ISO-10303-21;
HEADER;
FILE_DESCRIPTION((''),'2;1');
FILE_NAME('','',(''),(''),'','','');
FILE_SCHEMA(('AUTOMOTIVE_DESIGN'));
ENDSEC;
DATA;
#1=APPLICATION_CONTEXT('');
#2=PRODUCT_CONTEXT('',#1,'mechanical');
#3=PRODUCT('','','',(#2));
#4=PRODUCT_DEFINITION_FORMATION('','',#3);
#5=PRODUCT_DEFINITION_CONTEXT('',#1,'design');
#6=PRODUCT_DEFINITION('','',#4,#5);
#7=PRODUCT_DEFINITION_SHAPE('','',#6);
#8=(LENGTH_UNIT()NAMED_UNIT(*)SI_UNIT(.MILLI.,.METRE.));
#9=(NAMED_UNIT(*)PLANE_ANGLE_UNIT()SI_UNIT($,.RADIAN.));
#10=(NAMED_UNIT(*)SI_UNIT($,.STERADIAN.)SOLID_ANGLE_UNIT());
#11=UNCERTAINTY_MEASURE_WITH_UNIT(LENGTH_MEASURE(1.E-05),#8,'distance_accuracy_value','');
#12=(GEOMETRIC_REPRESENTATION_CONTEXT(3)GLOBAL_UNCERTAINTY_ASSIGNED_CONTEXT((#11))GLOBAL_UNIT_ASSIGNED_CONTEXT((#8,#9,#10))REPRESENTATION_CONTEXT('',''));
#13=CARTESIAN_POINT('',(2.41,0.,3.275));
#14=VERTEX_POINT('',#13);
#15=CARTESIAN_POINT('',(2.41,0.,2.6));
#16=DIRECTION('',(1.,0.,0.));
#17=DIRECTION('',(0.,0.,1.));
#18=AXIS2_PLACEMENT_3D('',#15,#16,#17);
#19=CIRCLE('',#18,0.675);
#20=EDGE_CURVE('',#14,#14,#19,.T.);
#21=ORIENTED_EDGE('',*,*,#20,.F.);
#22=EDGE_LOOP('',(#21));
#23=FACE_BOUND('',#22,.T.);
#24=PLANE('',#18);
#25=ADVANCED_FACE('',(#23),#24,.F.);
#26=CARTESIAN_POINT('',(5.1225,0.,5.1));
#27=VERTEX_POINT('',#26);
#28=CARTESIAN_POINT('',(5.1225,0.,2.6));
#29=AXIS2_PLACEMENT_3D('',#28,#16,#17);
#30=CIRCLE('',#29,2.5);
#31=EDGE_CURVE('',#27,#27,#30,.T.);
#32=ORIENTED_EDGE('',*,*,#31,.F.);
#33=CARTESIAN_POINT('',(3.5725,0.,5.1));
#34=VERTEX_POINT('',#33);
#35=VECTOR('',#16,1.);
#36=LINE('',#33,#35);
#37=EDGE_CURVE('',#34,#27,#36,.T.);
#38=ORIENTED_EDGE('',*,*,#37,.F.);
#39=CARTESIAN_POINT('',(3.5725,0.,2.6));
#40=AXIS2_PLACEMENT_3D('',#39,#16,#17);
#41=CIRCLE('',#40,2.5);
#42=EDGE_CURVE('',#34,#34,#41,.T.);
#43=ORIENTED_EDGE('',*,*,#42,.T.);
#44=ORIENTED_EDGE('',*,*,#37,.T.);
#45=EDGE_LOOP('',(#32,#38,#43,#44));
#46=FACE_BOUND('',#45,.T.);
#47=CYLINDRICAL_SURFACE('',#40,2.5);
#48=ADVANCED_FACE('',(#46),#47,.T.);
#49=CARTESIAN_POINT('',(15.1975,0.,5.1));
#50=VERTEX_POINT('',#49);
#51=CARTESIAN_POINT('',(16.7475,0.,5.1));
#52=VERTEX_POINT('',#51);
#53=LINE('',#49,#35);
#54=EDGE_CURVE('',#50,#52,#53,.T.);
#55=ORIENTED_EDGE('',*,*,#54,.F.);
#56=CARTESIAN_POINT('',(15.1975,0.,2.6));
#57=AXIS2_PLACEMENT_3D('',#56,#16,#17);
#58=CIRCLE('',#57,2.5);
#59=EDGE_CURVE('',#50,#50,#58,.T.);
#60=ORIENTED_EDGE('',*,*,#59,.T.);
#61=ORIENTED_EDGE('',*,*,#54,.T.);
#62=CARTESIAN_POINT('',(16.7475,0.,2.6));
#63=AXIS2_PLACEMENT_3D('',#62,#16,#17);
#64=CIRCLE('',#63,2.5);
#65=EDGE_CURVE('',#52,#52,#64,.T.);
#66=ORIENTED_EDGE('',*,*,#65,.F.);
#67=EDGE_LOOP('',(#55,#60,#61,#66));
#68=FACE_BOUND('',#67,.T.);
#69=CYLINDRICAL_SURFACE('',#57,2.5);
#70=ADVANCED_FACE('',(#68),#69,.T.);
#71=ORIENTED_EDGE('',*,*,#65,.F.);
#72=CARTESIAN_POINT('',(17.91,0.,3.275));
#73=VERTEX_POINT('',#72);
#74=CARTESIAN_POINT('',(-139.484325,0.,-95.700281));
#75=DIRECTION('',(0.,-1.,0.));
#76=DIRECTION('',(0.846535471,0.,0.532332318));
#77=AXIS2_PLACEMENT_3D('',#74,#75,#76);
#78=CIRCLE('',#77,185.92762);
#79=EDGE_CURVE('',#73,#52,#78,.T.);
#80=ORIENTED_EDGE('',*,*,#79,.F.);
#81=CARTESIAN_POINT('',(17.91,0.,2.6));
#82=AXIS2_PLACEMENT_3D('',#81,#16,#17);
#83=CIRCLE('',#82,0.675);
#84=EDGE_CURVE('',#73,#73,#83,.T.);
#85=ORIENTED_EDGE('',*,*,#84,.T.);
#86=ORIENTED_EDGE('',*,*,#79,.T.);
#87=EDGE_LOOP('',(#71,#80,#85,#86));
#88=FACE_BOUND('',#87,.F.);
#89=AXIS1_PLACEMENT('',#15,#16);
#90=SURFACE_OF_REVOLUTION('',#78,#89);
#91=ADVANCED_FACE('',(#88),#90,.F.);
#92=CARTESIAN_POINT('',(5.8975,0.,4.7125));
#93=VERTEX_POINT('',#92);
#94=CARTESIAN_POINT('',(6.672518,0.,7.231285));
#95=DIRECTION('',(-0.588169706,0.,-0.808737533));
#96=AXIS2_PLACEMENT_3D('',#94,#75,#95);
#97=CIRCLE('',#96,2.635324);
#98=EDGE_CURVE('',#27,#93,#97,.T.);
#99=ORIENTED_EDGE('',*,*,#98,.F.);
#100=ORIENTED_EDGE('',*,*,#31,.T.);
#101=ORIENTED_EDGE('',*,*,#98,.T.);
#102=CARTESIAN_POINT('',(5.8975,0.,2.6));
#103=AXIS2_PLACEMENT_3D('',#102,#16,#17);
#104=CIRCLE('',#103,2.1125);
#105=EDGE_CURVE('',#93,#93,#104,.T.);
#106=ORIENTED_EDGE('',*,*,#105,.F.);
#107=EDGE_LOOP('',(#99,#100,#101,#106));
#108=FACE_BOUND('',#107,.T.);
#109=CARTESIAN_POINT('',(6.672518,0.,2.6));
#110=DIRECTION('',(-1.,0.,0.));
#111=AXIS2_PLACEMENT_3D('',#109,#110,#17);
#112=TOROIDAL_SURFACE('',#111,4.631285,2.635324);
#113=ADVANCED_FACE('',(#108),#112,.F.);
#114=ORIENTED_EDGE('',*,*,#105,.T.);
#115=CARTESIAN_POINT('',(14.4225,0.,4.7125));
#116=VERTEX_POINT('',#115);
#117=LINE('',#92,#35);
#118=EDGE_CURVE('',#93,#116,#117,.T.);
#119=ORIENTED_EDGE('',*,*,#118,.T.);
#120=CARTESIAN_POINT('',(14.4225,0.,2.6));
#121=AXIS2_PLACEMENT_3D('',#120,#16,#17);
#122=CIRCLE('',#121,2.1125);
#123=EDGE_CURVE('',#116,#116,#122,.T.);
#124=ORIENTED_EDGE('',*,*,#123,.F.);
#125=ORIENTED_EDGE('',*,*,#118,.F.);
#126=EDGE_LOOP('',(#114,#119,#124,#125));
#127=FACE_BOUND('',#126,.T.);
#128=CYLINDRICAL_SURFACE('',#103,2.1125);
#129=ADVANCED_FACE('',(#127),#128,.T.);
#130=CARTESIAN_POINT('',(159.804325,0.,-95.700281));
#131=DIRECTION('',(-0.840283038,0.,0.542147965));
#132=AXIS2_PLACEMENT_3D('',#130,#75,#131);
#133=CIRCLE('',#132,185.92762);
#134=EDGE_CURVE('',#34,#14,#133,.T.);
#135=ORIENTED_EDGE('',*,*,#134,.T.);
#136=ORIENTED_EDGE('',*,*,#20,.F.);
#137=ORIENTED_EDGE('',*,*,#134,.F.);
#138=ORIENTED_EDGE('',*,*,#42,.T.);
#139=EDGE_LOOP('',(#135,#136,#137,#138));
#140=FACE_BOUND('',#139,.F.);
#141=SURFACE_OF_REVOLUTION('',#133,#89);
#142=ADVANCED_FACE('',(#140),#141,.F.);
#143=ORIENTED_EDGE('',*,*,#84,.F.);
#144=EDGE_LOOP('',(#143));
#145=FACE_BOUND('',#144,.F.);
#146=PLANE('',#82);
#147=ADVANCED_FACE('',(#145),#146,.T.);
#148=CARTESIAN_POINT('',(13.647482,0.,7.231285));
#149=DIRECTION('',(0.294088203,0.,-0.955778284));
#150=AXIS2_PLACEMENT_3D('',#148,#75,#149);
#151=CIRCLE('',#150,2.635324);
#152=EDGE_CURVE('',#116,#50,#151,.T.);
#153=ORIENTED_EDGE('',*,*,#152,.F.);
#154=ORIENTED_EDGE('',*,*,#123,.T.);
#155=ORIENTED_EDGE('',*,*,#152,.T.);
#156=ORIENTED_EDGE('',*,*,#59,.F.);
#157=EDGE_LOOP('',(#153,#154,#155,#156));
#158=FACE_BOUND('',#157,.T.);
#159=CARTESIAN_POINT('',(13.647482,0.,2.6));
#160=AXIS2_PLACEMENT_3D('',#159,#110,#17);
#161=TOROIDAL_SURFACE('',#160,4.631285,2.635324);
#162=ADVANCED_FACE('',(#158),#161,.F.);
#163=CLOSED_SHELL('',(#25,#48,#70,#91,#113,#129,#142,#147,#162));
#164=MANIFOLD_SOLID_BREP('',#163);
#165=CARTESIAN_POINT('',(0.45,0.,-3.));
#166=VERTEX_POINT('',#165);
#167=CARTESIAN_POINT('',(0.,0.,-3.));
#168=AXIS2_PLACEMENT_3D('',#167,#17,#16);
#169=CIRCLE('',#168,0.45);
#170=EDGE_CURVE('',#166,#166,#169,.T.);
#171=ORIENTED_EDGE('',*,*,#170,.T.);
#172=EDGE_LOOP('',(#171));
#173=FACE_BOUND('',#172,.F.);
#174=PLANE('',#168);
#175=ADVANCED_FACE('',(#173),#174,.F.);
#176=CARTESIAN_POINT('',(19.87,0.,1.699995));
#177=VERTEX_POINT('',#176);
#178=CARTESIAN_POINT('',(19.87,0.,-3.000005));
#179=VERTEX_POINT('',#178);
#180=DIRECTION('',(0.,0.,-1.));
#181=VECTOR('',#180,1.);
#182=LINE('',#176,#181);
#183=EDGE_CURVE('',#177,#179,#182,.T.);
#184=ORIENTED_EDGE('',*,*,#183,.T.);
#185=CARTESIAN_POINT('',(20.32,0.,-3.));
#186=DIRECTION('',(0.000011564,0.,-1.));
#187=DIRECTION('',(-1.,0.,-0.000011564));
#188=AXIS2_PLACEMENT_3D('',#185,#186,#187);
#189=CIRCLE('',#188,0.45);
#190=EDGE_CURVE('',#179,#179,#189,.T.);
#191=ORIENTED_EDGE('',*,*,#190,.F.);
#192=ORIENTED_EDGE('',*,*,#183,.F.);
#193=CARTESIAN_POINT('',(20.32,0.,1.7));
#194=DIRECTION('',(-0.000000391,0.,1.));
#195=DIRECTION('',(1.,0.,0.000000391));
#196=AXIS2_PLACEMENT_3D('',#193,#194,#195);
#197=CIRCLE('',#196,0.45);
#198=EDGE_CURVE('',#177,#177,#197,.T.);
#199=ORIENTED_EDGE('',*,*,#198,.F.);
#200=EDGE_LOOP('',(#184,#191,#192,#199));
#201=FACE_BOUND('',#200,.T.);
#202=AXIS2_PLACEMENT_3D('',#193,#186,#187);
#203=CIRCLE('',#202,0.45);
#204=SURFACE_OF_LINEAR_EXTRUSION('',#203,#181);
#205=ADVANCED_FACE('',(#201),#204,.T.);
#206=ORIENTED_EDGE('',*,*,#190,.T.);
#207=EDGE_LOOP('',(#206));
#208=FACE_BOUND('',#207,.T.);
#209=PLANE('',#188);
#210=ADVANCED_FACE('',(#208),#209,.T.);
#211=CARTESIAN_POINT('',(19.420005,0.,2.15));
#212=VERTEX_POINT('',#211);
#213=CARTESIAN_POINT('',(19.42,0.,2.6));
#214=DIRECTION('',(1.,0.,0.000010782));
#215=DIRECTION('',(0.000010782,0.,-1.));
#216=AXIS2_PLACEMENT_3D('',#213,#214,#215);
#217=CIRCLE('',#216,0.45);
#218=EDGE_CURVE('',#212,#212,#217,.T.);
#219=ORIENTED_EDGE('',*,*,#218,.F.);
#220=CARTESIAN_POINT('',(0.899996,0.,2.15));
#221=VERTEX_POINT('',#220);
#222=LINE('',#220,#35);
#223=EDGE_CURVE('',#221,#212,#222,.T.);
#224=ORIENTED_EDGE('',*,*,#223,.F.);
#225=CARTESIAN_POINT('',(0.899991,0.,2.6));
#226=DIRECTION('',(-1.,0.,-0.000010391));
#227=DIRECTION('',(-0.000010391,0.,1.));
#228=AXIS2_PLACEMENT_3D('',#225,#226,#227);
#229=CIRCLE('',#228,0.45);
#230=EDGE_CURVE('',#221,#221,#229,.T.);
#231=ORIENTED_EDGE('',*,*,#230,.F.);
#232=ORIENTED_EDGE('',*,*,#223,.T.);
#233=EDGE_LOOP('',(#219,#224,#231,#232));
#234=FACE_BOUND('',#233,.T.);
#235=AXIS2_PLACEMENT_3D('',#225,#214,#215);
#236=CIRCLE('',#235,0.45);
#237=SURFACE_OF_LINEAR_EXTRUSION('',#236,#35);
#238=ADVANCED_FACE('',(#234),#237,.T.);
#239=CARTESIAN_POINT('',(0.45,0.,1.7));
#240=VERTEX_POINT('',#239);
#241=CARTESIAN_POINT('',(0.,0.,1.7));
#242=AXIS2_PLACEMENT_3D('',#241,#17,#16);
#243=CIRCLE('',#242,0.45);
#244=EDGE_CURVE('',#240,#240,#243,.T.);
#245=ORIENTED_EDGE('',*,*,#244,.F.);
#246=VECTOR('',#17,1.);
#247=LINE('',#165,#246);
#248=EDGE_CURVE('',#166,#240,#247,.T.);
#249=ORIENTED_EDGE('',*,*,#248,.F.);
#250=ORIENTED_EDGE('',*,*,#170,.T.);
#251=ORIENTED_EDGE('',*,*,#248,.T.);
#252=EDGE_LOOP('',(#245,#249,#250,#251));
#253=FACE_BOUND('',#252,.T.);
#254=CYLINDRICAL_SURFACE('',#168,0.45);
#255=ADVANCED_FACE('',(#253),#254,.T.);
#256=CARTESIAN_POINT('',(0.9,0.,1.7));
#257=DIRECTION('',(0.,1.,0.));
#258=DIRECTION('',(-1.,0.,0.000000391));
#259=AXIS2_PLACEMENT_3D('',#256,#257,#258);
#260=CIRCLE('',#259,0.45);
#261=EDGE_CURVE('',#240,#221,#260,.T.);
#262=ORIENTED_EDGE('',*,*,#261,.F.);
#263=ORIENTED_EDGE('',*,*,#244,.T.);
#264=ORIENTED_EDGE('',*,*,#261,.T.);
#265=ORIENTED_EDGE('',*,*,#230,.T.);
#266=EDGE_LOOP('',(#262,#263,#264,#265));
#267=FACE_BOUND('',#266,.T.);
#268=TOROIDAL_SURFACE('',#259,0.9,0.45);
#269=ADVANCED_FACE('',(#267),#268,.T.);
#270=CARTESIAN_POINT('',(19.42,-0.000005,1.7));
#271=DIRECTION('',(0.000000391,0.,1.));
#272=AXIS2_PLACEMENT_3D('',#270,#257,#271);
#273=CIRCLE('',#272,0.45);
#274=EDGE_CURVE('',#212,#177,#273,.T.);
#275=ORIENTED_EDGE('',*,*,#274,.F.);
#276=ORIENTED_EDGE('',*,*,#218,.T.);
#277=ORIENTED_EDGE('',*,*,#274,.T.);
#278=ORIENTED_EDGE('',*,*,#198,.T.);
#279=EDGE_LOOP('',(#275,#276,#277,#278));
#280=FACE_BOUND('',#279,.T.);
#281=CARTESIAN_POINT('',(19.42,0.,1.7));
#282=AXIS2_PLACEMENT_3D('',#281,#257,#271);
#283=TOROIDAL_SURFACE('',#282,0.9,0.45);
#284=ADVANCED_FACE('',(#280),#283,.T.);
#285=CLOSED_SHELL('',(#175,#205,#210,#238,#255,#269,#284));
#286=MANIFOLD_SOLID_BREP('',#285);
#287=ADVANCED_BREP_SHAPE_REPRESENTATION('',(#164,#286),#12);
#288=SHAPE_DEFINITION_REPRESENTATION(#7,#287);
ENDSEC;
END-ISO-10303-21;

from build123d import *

# Parameters (mm, degrees)
SKETCH_R = 0.45


with BuildPart() as revolution:
    # Sketch002 → Revolution (revolve)
    with BuildSketch(Plane.XZ):
        with BuildLine():
            Line((3.5725, 5.1), (5.1225, 5.1))
            ThreePointArc((5.1225, 5.1), (5.493965, 4.87418), (5.8975, 4.7125))
            Line((5.8975, 4.7125), (14.4225, 4.7125))
            ThreePointArc((14.4225, 4.7125), (14.826035, 4.87418), (15.1975, 5.1))
            Line((15.1975, 5.1), (16.7475, 5.1))
            ThreePointArc((17.91, 3.275), (17.331405, 4.189191), (16.7475, 5.1))
            Line((17.91, 2.6), (17.91, 3.275))
            Line((2.41, 2.6), (17.91, 2.6))
            Line((2.41, 2.6), (2.41, 3.275))
            ThreePointArc((3.5725, 5.1), (2.988595, 4.189191), (2.41, 3.275))
        make_face()
    revolve(axis=Axis((2.41, 0, 2.6), (1, 0, 0)))


with BuildPart() as sweep_body:
    # Sweep: sweep along a path in Sketch001
    with BuildLine(Plane.XZ) as sweep_path:
        Line((0, -3), (0, 1.7))
        ThreePointArc((0, 1.7), (0.263601, 2.336393), (0.899991, 2.6))
        Line((0.899991, 2.6), (19.42, 2.6))
        ThreePointArc((19.42, 2.6), (20.056396, 2.336396), (20.32, 1.7))
        Line((20.32, 1.7), (20.32, -3))
    # Sketch → Sweep (sweep)
    with BuildSketch(Plane.XY.offset(-2)):
        Circle(SKETCH_R)
    sweep(path=sweep_path.line)


solid = Compound([revolution.part, sweep_body.part])
